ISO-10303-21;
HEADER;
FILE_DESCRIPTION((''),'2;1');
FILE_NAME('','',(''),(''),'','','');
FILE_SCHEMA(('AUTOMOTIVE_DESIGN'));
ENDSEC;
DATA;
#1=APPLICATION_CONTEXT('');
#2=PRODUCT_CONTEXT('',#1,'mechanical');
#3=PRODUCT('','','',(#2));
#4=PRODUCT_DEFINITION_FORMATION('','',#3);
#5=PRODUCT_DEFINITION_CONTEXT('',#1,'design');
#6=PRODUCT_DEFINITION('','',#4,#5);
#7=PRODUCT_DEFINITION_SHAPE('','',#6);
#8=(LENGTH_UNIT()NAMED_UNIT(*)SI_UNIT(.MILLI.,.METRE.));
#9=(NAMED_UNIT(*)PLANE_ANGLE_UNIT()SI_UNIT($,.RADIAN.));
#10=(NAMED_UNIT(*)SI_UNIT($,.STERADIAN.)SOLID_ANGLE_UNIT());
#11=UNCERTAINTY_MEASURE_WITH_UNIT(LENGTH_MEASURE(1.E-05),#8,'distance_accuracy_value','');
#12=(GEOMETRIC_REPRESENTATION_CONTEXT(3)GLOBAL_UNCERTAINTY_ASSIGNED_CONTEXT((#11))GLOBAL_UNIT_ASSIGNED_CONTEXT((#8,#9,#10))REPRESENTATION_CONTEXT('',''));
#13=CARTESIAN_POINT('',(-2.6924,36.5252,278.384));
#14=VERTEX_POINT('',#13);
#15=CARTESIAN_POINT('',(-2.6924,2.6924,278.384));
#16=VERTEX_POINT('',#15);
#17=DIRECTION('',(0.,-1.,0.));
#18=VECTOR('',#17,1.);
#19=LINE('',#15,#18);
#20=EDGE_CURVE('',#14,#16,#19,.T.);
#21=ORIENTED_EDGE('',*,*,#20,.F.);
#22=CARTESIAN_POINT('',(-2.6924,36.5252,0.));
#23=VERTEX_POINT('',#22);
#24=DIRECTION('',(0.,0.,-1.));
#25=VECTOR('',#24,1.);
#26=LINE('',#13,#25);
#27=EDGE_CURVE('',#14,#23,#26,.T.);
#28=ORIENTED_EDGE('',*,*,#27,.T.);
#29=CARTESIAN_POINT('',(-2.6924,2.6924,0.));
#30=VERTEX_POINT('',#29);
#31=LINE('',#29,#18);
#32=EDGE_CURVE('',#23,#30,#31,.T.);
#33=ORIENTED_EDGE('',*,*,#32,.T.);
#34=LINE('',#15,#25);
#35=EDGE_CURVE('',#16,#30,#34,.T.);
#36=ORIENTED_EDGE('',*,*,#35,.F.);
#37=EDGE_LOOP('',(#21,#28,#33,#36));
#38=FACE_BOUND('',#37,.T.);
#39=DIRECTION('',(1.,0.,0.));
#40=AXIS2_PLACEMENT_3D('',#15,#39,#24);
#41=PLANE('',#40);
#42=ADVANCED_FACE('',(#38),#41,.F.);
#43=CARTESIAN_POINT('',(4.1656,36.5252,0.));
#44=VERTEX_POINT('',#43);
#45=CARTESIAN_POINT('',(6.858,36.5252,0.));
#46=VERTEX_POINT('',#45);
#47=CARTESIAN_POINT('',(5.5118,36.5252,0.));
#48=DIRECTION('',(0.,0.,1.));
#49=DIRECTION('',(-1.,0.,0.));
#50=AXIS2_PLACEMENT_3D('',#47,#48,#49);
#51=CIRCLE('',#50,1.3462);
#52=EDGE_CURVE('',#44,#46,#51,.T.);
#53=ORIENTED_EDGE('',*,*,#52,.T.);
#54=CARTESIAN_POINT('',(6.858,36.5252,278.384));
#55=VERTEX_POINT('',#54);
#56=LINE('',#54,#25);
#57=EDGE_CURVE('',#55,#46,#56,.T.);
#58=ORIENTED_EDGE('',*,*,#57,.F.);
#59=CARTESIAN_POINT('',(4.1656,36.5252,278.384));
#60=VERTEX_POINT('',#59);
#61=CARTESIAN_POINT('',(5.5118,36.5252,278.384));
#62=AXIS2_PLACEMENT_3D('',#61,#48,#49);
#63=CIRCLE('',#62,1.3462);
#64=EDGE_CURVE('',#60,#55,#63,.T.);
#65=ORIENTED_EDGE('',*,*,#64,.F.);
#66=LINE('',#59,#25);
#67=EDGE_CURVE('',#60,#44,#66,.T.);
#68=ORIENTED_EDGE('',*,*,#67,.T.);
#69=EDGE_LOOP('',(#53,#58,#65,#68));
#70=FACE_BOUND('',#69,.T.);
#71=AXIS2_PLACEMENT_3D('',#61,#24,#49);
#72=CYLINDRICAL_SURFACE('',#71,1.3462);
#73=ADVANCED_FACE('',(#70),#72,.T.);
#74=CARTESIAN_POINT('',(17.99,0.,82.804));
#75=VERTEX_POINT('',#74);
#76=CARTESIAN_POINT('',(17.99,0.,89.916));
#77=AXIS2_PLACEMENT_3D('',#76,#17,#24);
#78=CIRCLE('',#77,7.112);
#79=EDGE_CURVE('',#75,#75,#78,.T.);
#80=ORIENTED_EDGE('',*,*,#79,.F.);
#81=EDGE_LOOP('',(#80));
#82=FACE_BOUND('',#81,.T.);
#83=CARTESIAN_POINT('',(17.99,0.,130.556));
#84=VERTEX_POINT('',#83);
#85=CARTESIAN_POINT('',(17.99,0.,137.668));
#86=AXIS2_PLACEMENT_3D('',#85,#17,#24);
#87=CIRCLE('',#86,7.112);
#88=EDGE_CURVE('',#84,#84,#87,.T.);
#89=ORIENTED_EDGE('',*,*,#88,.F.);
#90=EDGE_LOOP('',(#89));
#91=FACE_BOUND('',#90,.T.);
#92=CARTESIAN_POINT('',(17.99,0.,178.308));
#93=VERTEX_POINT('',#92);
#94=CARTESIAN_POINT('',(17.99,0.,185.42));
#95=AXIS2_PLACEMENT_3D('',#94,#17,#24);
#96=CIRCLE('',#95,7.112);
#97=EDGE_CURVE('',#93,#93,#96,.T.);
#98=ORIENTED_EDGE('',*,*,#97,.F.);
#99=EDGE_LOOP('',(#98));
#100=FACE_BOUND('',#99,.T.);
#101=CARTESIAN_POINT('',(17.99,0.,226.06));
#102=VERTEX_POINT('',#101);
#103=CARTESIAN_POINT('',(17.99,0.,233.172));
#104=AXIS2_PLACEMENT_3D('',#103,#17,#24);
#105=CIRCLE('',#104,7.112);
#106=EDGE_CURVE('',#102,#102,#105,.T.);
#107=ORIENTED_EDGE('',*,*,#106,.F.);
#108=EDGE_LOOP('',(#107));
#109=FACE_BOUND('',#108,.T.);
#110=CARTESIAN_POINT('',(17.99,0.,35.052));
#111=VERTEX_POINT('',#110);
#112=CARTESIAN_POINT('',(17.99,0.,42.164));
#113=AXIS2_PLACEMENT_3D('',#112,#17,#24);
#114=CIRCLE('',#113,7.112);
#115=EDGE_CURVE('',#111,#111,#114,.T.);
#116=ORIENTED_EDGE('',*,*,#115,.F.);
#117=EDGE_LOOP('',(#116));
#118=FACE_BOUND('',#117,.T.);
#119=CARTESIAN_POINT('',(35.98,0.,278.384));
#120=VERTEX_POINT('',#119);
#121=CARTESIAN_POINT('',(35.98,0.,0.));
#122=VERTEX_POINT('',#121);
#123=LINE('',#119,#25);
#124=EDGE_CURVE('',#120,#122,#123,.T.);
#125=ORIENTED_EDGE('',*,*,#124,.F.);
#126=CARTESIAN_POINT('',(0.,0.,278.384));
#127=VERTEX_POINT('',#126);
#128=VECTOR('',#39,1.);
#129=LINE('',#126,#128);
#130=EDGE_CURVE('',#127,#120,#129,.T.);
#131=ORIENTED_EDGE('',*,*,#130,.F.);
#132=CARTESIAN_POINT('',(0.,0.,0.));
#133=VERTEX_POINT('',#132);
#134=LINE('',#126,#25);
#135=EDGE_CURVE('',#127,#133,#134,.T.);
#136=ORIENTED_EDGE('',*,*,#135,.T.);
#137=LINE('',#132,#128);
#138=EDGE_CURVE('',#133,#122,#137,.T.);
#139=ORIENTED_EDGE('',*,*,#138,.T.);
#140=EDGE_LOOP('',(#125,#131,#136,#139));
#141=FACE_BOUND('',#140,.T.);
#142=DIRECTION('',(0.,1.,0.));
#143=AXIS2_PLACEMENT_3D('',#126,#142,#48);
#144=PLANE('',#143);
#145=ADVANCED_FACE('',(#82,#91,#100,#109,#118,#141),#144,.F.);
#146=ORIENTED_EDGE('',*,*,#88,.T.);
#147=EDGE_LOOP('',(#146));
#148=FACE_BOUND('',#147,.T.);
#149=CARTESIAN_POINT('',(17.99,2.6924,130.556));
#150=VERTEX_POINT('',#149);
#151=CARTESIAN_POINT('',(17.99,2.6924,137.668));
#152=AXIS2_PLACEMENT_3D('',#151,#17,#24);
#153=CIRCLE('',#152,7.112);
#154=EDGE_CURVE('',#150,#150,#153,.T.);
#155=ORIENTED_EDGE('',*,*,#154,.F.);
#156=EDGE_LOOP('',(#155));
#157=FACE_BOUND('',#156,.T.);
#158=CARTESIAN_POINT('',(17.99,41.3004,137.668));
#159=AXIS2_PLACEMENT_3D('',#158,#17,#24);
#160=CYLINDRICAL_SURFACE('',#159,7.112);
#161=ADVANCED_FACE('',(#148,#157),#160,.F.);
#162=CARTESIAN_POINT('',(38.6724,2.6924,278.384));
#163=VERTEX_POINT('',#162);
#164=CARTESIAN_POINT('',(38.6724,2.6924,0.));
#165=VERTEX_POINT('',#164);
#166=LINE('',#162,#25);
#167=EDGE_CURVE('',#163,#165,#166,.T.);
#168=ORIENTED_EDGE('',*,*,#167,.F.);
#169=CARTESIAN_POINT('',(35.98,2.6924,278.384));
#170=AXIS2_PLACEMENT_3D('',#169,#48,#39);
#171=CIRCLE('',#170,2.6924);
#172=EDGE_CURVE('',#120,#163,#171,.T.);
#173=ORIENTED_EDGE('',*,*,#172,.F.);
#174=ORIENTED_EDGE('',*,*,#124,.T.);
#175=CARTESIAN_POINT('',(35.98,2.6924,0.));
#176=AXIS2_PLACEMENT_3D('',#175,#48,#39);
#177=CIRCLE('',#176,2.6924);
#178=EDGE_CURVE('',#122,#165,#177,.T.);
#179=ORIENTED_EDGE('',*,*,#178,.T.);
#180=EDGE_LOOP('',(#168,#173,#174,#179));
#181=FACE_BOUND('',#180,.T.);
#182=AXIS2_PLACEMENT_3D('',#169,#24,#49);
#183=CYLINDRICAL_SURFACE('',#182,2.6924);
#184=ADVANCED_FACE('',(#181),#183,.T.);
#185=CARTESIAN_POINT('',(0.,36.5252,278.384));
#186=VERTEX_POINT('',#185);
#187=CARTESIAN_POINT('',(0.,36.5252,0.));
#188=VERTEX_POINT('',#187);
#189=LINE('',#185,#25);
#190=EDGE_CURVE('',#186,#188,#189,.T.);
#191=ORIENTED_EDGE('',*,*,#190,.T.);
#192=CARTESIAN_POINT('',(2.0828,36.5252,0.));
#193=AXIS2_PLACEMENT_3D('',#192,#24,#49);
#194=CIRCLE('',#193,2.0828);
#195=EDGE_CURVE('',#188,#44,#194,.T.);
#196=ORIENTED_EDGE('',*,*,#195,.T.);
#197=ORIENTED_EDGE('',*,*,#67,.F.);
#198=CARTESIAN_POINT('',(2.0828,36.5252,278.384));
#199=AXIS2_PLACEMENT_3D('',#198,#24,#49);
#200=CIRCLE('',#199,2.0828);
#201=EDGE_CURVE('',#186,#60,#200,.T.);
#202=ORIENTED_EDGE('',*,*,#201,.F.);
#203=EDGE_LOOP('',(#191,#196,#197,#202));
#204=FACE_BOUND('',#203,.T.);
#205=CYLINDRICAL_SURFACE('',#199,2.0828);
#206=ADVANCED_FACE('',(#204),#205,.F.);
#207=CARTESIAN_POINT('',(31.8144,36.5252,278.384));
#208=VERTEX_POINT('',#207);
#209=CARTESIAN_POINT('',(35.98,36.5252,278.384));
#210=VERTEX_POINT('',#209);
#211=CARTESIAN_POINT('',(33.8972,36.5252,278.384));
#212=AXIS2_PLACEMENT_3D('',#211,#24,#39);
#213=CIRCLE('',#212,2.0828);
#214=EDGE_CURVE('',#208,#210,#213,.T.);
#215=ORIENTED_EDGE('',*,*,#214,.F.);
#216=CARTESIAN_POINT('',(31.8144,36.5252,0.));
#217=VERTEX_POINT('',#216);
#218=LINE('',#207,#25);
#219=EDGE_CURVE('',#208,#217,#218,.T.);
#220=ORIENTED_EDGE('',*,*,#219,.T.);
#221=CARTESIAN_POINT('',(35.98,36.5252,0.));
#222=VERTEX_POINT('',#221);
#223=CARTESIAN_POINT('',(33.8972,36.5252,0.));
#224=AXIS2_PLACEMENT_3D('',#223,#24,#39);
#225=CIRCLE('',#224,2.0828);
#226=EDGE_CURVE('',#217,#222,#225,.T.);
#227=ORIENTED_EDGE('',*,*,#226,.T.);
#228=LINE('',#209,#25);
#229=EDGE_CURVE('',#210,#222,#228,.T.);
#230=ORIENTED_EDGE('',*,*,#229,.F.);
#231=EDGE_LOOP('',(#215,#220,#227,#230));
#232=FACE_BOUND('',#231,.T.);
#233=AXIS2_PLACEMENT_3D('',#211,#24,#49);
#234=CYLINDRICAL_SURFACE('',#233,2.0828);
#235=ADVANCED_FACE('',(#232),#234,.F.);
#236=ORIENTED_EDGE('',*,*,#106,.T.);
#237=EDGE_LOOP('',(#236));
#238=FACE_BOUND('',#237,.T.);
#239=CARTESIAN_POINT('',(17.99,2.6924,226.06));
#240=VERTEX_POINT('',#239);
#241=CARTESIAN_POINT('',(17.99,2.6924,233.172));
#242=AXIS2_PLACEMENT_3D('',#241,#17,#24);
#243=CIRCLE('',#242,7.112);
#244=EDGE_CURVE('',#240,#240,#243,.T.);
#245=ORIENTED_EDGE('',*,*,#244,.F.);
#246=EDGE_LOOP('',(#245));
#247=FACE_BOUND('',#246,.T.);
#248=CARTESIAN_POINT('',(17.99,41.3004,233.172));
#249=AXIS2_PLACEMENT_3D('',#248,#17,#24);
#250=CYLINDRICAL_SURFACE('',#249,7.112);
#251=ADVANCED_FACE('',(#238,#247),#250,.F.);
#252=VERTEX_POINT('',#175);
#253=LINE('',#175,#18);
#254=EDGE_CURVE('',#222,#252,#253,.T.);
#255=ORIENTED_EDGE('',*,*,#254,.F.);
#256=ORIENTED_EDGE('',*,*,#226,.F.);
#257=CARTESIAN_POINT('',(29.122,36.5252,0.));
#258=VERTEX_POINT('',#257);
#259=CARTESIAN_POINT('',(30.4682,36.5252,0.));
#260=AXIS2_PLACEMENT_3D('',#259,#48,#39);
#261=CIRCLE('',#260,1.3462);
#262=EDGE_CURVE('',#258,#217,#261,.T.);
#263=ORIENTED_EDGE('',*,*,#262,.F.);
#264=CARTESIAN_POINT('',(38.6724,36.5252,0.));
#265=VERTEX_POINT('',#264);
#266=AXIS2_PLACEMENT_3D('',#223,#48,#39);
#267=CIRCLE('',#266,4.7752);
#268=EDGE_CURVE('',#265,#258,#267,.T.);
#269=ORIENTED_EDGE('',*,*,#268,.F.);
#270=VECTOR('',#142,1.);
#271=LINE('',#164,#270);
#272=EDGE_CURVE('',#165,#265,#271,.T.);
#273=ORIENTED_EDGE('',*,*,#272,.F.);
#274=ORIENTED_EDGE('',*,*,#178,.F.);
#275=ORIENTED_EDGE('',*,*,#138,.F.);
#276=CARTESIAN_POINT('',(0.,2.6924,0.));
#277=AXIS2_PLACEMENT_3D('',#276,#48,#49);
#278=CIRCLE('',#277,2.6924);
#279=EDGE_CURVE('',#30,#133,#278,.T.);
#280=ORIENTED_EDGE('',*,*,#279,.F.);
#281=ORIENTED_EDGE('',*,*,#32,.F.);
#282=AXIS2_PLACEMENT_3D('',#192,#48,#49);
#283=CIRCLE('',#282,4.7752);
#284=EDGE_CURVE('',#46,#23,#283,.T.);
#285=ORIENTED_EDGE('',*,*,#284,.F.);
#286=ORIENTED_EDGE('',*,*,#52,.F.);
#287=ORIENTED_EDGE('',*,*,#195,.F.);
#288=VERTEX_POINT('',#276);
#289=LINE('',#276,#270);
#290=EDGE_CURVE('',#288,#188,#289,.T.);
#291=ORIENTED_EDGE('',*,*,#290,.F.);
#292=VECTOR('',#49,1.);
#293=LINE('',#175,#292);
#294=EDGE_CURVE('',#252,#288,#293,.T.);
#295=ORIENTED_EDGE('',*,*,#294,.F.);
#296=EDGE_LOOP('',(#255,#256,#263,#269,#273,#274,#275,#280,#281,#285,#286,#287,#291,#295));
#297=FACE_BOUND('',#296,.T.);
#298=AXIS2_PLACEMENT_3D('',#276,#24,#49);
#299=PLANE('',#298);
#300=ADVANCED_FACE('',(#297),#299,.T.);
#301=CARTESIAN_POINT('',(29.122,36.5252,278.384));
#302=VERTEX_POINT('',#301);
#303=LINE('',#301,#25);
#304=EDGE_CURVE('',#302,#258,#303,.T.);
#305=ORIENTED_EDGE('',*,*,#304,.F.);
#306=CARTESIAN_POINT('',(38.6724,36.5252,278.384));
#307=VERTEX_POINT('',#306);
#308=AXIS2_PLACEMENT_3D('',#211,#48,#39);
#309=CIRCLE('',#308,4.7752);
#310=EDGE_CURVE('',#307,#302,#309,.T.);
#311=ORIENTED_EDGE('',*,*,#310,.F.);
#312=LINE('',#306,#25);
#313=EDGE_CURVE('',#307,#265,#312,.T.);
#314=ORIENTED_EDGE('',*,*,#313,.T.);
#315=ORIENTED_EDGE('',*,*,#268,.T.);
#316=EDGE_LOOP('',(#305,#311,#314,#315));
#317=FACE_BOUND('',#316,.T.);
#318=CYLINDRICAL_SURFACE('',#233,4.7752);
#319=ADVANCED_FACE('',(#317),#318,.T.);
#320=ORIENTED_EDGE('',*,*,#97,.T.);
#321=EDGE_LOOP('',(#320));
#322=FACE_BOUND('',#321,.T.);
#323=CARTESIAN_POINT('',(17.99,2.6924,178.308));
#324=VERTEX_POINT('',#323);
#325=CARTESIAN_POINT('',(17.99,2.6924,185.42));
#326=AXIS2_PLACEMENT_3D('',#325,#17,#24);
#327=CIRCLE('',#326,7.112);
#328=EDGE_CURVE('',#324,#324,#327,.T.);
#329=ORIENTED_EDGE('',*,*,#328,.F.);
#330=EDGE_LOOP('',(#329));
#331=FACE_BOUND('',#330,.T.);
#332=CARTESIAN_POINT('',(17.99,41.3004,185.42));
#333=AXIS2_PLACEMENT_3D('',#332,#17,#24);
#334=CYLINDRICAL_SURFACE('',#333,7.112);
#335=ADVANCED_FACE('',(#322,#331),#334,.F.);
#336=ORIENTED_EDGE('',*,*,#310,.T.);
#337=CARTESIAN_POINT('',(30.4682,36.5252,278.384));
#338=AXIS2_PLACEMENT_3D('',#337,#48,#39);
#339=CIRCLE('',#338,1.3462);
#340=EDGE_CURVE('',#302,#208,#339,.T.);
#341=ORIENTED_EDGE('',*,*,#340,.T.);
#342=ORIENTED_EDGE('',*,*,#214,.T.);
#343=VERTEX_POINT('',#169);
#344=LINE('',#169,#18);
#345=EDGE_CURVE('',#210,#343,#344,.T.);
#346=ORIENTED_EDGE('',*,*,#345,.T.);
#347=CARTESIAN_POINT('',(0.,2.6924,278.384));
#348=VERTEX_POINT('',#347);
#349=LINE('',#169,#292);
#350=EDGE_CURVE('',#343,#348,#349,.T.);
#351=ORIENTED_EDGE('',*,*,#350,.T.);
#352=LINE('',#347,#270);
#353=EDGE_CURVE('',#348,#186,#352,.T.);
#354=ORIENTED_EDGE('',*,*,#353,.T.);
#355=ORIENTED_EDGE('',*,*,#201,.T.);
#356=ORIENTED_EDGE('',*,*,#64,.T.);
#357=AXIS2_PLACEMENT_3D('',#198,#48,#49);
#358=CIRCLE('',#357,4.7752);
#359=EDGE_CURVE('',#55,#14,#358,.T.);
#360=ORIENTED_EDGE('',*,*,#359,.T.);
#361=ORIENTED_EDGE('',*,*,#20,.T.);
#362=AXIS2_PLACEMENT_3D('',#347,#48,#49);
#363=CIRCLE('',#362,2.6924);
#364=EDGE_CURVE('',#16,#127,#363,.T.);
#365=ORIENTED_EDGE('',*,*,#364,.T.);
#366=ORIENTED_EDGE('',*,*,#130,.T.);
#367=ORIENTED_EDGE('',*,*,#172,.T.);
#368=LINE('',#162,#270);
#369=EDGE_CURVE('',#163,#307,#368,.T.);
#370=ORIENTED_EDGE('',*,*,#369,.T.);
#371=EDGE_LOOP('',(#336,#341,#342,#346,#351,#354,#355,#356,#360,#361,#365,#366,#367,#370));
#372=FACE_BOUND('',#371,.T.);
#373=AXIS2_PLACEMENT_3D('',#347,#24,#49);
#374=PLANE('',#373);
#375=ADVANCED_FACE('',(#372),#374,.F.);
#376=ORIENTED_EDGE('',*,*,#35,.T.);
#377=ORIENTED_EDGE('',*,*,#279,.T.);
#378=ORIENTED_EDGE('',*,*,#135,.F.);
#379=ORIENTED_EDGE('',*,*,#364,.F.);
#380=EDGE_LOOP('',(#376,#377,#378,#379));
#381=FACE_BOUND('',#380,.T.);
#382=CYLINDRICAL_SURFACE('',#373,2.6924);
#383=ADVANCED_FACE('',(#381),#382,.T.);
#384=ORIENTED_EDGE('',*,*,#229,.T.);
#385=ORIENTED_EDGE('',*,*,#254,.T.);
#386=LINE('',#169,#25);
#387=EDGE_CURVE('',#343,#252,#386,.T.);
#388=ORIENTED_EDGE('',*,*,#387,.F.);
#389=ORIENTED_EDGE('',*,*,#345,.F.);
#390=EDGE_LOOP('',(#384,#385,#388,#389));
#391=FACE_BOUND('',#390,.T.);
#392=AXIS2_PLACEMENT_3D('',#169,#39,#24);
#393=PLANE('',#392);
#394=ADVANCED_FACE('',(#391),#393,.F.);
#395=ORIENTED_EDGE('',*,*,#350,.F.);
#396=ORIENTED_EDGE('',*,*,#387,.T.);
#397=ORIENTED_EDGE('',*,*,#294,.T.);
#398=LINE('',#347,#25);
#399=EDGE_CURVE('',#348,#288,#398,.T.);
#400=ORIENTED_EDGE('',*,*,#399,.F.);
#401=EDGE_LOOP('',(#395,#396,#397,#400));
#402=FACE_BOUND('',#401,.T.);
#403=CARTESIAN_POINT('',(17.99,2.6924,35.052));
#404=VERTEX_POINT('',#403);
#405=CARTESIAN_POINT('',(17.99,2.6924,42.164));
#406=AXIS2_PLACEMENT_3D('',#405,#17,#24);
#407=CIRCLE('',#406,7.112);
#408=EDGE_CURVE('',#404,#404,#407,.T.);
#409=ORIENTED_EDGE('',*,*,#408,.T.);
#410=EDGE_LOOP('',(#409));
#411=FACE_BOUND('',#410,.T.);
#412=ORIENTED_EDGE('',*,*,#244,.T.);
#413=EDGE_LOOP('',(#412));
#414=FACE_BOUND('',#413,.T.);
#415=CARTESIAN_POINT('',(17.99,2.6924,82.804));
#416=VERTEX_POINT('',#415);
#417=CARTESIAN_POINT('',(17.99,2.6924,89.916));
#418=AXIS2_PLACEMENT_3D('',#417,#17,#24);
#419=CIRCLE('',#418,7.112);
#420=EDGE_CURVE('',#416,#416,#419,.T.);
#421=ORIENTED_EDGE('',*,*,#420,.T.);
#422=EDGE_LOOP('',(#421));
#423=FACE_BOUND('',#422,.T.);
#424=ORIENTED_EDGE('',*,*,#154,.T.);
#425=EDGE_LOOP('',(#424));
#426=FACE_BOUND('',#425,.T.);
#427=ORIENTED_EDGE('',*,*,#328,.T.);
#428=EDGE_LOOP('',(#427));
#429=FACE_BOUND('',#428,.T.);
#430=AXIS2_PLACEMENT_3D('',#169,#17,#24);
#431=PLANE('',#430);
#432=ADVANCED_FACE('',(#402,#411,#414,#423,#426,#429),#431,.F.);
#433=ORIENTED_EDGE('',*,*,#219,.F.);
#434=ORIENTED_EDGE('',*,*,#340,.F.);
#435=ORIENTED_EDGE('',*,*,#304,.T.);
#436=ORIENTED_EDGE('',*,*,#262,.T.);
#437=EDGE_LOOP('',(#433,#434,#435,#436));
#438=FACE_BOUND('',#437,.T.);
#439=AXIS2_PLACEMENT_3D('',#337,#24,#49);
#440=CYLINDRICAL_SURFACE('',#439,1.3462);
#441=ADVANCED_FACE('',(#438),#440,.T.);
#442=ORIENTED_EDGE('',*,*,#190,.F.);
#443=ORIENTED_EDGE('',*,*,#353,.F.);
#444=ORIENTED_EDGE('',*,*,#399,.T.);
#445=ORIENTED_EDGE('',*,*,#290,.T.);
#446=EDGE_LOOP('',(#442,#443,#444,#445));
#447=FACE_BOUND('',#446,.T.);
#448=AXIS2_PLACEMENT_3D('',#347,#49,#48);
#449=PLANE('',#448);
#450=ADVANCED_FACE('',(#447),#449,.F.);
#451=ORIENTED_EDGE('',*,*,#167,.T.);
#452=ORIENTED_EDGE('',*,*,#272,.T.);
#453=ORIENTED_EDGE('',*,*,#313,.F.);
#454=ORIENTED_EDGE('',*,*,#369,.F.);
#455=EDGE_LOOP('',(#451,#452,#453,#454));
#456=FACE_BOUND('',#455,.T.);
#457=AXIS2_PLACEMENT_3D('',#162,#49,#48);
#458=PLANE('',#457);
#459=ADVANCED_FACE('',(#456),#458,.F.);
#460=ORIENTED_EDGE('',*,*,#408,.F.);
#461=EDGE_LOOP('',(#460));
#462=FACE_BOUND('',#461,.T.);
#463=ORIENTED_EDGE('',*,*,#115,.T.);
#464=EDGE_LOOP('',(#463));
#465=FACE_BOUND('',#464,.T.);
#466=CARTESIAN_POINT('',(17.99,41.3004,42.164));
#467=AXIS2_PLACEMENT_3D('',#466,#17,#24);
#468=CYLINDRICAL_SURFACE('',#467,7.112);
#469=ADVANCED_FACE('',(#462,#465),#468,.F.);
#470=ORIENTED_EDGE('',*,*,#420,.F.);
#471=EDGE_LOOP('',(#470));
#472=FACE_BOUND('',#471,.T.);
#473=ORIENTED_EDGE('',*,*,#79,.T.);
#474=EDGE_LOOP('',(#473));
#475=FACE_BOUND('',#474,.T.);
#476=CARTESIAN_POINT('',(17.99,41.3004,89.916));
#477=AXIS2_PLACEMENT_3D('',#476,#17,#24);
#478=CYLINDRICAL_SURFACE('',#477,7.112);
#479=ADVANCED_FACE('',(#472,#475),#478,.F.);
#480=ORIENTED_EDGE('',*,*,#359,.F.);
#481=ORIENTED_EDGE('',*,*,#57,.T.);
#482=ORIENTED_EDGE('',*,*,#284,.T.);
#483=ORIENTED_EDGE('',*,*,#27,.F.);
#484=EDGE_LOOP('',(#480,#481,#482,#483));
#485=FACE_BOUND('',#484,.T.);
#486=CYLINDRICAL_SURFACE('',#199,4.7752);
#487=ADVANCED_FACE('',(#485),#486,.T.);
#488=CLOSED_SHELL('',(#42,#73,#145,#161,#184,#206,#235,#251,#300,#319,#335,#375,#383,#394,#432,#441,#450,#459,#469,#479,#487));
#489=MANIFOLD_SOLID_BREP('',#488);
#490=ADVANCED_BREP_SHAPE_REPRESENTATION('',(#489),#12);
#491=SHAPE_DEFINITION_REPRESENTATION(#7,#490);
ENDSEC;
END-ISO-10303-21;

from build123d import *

# Parameters (mm, degrees)
BOSS_EXTRUDE1_DEPTH = 278.384
SKETCH2_R           = 7.112
CUT_EXTRUDE1_DEPTH  = 285.075569203
LPATTERN1_COUNT     = 5
LPATTERN1_PITCH     = 47.752


with BuildPart() as part:
    # Sketch1 → Boss-Extrude1 (new body)
    with BuildSketch(Plane.XY):
        with BuildLine():
            Line((0, 0), (35.98, 0))
            ThreePointArc((35.98, 0), (37.883814298, 0.788585702), (38.6724, 2.6924))
            Line((38.6724, 2.6924), (38.6724, 36.5252))
            ThreePointArc((38.6724, 36.5252), (33.8972, 41.3004), (29.122, 36.5252))
            ThreePointArc((29.122, 36.5252), (30.4682, 35.179), (31.8144, 36.5252))
            ThreePointArc((31.8144, 36.5252), (33.8972, 38.608), (35.98, 36.5252))
            Line((35.98, 36.5252), (35.98, 2.6924))
            Line((35.98, 2.6924), (0, 2.6924))
            Line((0, 2.6924), (0, 36.5252))
            ThreePointArc((0, 36.5252), (2.0828, 38.608), (4.1656, 36.5252))
            ThreePointArc((4.1656, 36.5252), (5.5118, 35.179), (6.858, 36.5252))
            ThreePointArc((6.858, 36.5252), (2.0828, 41.3004), (-2.6924, 36.5252))
            Line((-2.6924, 36.5252), (-2.6924, 2.6924))
            ThreePointArc((-2.6924, 2.6924), (-1.903814298, 0.788585702), (0, 0))
        make_face()
    extrude(amount=BOSS_EXTRUDE1_DEPTH)

    # Sketch2 → Cut-Extrude1 (cut, through all)
    with BuildSketch(Plane(origin=(0, 0, 0), x_dir=(-1, 0, 0), z_dir=(0, -1, 0))):
        with Locations(Location((-17.99, -42.164, 0), (0, 0, 90))):
            Circle(SKETCH2_R)
    cut_extrude1 = extrude(amount=-CUT_EXTRUDE1_DEPTH, mode=Mode.SUBTRACT)

    # LPattern1: Cut-Extrude1 ×5
    with Locations(*[(0, 0, i * LPATTERN1_PITCH) for i in range(1, LPATTERN1_COUNT)]):
        add(cut_extrude1, mode=Mode.SUBTRACT)


solid = part.part
